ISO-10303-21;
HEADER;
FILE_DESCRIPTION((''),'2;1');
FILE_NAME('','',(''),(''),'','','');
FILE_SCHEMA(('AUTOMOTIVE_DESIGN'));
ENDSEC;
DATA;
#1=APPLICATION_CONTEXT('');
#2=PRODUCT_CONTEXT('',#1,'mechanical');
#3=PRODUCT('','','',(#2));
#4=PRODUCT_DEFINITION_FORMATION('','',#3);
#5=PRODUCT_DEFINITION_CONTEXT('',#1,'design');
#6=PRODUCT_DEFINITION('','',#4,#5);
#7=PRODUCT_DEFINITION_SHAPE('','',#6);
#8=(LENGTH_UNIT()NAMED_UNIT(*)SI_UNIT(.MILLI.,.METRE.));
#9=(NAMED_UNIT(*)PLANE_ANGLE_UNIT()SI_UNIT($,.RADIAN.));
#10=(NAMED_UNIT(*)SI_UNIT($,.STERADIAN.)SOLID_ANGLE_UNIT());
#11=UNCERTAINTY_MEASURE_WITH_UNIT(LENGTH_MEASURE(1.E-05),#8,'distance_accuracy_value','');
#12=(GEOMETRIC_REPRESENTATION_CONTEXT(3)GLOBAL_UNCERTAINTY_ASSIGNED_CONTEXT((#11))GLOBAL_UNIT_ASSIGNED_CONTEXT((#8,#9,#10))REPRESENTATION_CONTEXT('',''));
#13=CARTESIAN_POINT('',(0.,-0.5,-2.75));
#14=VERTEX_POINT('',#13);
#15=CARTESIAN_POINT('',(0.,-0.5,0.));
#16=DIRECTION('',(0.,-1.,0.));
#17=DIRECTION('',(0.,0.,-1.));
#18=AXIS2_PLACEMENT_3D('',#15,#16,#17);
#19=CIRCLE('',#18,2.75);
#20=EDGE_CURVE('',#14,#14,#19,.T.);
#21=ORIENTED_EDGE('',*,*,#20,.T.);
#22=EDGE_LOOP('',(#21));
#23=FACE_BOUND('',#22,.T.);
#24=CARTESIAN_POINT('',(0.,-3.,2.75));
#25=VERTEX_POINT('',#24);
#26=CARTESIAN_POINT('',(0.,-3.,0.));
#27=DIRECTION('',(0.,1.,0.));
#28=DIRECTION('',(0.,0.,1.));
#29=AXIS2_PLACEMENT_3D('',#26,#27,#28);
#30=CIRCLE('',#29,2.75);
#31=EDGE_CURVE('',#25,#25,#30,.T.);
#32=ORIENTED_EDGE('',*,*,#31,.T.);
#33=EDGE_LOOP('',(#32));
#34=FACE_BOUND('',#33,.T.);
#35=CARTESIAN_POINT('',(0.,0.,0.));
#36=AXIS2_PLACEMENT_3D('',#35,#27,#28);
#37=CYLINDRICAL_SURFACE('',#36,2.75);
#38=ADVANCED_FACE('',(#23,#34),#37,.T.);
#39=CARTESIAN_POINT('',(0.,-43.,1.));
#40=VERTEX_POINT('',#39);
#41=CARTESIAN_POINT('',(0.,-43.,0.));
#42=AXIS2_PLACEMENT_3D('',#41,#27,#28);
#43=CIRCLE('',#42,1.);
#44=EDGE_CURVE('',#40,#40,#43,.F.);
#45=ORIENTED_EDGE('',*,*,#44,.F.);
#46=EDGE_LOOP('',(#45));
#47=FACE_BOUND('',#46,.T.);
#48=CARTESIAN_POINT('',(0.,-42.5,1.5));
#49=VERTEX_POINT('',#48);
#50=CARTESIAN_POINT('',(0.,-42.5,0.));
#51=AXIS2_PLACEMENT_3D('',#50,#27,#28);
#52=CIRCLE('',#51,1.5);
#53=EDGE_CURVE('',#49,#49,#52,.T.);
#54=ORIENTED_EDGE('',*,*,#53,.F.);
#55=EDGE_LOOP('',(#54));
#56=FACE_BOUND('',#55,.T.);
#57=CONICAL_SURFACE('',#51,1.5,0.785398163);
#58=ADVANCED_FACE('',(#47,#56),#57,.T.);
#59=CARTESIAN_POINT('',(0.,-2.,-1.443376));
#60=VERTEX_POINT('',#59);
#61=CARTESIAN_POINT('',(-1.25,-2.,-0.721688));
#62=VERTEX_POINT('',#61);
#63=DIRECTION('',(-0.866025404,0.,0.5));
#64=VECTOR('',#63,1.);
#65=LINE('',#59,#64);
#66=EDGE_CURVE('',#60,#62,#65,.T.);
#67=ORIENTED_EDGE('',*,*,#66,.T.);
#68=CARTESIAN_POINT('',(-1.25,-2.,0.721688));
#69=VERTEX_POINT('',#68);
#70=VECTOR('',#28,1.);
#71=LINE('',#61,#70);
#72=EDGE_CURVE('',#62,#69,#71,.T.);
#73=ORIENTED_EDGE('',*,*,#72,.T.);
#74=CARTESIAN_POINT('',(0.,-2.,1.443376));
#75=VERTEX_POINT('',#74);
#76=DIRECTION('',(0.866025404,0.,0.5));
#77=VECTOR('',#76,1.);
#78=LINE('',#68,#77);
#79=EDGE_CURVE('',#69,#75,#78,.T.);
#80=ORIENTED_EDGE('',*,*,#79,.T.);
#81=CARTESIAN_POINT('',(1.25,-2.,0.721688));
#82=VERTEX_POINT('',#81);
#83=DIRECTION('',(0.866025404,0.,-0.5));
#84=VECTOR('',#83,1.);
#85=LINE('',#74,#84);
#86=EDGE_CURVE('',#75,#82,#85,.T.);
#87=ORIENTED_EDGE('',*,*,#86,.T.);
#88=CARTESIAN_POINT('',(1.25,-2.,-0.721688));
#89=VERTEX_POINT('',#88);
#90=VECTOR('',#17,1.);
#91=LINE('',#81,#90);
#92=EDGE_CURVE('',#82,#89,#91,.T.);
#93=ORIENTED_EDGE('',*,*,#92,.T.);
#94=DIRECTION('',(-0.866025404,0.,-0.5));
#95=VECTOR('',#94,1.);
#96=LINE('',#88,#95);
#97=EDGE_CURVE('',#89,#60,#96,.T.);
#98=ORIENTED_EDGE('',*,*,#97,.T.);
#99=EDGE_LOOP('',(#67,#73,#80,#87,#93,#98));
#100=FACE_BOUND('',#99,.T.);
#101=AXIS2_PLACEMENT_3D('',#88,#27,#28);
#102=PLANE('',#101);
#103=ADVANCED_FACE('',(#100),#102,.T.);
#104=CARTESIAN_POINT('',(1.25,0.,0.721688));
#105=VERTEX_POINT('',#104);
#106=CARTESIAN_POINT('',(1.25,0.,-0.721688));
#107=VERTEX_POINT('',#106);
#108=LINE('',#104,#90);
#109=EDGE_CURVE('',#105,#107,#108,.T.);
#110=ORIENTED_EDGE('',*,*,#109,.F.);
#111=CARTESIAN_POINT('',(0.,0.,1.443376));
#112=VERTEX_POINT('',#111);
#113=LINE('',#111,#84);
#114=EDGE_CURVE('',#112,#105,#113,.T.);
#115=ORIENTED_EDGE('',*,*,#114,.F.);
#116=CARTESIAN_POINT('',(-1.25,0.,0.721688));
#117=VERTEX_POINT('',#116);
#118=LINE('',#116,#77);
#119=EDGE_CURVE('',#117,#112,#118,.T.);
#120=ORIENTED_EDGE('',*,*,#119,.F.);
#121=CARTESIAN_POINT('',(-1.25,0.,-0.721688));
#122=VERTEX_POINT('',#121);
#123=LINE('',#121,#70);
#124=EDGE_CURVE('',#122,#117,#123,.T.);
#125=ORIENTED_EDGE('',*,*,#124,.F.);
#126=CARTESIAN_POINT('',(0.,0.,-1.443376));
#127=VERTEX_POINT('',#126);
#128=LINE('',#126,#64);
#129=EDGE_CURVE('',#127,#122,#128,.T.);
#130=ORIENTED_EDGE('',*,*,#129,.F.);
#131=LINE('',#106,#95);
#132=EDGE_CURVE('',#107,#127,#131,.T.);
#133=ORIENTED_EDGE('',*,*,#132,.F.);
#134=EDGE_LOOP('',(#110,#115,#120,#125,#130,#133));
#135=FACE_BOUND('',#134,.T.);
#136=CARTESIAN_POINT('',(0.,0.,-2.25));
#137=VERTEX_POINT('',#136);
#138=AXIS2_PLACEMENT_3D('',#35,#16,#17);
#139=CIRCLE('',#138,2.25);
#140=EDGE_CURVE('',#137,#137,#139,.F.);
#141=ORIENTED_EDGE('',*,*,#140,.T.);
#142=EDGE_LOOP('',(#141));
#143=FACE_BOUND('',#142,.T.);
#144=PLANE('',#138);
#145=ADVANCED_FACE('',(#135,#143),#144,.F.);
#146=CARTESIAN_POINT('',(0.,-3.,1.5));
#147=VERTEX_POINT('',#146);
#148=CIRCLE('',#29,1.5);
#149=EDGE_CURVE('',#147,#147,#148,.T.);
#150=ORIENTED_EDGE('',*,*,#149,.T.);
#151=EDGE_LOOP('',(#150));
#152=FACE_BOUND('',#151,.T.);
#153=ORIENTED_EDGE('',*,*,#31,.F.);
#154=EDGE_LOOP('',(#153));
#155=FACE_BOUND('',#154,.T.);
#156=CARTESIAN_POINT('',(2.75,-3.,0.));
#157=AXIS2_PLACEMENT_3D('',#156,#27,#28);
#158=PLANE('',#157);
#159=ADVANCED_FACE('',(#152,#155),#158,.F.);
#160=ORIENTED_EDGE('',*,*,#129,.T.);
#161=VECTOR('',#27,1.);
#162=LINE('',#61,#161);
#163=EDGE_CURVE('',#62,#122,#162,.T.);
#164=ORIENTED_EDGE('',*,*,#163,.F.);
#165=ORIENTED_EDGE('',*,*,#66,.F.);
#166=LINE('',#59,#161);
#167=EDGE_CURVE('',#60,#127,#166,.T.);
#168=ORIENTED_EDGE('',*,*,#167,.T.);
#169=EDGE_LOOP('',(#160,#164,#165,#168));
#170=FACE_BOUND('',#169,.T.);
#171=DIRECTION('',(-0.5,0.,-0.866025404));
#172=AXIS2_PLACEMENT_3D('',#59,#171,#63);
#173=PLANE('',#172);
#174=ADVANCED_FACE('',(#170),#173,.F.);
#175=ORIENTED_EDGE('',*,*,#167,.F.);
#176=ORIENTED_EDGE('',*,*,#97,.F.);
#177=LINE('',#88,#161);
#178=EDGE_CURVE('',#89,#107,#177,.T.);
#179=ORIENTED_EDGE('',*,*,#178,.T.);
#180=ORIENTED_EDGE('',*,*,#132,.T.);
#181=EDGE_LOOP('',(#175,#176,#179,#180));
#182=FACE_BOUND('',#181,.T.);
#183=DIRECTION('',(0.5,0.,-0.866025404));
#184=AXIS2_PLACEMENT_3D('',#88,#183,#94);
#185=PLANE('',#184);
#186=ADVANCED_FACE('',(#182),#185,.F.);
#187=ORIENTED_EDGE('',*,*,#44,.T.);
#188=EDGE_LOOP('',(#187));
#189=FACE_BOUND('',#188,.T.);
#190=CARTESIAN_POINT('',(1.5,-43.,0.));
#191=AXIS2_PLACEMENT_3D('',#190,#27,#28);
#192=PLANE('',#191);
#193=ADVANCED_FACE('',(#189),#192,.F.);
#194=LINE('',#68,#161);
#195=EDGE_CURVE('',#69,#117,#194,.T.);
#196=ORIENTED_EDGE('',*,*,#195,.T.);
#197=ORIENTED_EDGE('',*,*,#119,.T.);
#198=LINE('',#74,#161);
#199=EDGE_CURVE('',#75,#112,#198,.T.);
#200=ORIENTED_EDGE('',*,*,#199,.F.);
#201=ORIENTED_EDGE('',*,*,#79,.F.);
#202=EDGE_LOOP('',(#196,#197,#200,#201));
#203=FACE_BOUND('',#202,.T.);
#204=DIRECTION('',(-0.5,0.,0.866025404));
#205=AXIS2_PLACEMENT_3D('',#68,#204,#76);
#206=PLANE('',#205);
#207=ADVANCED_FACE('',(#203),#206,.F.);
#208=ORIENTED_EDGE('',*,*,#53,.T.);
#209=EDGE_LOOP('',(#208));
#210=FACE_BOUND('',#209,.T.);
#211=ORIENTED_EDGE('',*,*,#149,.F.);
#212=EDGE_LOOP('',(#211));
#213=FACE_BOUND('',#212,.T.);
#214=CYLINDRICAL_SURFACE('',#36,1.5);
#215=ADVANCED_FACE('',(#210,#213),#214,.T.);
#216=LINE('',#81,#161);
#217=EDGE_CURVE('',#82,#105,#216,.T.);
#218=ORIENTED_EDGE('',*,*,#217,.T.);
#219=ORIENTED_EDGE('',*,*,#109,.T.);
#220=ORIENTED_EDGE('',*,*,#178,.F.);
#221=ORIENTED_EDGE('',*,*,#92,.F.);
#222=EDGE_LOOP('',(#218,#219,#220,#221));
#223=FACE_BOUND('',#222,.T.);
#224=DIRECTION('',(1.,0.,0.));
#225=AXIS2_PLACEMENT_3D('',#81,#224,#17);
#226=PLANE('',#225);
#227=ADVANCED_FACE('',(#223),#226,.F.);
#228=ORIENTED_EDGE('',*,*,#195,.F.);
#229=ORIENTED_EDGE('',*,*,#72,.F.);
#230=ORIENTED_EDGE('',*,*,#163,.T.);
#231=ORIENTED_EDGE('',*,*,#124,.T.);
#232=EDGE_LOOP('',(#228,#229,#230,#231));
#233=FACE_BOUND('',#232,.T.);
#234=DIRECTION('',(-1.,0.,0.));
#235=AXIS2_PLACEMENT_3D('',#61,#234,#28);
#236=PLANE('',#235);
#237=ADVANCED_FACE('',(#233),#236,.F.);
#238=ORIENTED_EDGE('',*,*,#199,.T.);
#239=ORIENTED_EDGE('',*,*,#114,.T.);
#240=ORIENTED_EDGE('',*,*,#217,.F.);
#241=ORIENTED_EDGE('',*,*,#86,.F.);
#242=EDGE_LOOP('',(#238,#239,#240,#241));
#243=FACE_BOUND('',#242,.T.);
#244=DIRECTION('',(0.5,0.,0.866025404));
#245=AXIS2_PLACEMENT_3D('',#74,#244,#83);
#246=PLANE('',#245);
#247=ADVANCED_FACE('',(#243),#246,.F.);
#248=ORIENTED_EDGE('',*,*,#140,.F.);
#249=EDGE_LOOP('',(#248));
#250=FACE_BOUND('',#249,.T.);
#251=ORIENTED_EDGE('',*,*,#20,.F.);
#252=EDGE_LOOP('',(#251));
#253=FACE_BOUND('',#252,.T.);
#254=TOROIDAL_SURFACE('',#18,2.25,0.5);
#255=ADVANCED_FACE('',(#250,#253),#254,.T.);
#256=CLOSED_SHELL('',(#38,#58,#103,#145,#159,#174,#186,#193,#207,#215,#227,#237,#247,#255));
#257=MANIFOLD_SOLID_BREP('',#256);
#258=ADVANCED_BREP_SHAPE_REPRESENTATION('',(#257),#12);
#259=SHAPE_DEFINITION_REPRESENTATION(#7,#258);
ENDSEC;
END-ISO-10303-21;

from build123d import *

# Parameters (mm, degrees)
CORTAR_EXTRUIR1_DEPTH = 2
CHAFL_N1_SIZE         = 0.5
REDONDEO1_R           = 0.5


with BuildPart() as part:
    # Croquis1 → Revolución1 (revolve)
    with BuildSketch(Plane.XY, mode=Mode.PRIVATE) as revoluci_n1_sk:
        Polygon((0, 0), (2.75, 0), (2.75, -3), (1.5, -3), (1.5, -43), (0, -43), align=None)
    revolve(revoluci_n1_sk.sketch.rotate(Axis((0, 0, 0), (0, -1, 0)), 90), axis=Axis((0, 0, 0), (0, -1, 0)))

    # Croquis2 → Cortar-Extruir1 (cut)
    with BuildSketch(Plane(origin=(0, 0, 0), x_dir=(1, 0, 0), z_dir=(0, 1, 0))):
        Polygon((1.25, 0.721687836), (0, 1.443375673), (-1.25, 0.721687836), (-1.25, -0.721687836), (0, -1.443375673), (1.25, -0.721687836), align=None)
    extrude(amount=-CORTAR_EXTRUIR1_DEPTH, mode=Mode.SUBTRACT)

    # Chaflán1
    chafl_n1_edges = [part.edges().sort_by_distance(p)[0] for p in [
        (0, -43, -1.5),
    ]]
    chamfer(chafl_n1_edges, length=CHAFL_N1_SIZE)

    # Redondeo1
    redondeo1_edges = [part.edges().sort_by_distance(p)[0] for p in [
        (0, 0, -2.75),
    ]]
    fillet(redondeo1_edges, radius=REDONDEO1_R)


solid = part.part
